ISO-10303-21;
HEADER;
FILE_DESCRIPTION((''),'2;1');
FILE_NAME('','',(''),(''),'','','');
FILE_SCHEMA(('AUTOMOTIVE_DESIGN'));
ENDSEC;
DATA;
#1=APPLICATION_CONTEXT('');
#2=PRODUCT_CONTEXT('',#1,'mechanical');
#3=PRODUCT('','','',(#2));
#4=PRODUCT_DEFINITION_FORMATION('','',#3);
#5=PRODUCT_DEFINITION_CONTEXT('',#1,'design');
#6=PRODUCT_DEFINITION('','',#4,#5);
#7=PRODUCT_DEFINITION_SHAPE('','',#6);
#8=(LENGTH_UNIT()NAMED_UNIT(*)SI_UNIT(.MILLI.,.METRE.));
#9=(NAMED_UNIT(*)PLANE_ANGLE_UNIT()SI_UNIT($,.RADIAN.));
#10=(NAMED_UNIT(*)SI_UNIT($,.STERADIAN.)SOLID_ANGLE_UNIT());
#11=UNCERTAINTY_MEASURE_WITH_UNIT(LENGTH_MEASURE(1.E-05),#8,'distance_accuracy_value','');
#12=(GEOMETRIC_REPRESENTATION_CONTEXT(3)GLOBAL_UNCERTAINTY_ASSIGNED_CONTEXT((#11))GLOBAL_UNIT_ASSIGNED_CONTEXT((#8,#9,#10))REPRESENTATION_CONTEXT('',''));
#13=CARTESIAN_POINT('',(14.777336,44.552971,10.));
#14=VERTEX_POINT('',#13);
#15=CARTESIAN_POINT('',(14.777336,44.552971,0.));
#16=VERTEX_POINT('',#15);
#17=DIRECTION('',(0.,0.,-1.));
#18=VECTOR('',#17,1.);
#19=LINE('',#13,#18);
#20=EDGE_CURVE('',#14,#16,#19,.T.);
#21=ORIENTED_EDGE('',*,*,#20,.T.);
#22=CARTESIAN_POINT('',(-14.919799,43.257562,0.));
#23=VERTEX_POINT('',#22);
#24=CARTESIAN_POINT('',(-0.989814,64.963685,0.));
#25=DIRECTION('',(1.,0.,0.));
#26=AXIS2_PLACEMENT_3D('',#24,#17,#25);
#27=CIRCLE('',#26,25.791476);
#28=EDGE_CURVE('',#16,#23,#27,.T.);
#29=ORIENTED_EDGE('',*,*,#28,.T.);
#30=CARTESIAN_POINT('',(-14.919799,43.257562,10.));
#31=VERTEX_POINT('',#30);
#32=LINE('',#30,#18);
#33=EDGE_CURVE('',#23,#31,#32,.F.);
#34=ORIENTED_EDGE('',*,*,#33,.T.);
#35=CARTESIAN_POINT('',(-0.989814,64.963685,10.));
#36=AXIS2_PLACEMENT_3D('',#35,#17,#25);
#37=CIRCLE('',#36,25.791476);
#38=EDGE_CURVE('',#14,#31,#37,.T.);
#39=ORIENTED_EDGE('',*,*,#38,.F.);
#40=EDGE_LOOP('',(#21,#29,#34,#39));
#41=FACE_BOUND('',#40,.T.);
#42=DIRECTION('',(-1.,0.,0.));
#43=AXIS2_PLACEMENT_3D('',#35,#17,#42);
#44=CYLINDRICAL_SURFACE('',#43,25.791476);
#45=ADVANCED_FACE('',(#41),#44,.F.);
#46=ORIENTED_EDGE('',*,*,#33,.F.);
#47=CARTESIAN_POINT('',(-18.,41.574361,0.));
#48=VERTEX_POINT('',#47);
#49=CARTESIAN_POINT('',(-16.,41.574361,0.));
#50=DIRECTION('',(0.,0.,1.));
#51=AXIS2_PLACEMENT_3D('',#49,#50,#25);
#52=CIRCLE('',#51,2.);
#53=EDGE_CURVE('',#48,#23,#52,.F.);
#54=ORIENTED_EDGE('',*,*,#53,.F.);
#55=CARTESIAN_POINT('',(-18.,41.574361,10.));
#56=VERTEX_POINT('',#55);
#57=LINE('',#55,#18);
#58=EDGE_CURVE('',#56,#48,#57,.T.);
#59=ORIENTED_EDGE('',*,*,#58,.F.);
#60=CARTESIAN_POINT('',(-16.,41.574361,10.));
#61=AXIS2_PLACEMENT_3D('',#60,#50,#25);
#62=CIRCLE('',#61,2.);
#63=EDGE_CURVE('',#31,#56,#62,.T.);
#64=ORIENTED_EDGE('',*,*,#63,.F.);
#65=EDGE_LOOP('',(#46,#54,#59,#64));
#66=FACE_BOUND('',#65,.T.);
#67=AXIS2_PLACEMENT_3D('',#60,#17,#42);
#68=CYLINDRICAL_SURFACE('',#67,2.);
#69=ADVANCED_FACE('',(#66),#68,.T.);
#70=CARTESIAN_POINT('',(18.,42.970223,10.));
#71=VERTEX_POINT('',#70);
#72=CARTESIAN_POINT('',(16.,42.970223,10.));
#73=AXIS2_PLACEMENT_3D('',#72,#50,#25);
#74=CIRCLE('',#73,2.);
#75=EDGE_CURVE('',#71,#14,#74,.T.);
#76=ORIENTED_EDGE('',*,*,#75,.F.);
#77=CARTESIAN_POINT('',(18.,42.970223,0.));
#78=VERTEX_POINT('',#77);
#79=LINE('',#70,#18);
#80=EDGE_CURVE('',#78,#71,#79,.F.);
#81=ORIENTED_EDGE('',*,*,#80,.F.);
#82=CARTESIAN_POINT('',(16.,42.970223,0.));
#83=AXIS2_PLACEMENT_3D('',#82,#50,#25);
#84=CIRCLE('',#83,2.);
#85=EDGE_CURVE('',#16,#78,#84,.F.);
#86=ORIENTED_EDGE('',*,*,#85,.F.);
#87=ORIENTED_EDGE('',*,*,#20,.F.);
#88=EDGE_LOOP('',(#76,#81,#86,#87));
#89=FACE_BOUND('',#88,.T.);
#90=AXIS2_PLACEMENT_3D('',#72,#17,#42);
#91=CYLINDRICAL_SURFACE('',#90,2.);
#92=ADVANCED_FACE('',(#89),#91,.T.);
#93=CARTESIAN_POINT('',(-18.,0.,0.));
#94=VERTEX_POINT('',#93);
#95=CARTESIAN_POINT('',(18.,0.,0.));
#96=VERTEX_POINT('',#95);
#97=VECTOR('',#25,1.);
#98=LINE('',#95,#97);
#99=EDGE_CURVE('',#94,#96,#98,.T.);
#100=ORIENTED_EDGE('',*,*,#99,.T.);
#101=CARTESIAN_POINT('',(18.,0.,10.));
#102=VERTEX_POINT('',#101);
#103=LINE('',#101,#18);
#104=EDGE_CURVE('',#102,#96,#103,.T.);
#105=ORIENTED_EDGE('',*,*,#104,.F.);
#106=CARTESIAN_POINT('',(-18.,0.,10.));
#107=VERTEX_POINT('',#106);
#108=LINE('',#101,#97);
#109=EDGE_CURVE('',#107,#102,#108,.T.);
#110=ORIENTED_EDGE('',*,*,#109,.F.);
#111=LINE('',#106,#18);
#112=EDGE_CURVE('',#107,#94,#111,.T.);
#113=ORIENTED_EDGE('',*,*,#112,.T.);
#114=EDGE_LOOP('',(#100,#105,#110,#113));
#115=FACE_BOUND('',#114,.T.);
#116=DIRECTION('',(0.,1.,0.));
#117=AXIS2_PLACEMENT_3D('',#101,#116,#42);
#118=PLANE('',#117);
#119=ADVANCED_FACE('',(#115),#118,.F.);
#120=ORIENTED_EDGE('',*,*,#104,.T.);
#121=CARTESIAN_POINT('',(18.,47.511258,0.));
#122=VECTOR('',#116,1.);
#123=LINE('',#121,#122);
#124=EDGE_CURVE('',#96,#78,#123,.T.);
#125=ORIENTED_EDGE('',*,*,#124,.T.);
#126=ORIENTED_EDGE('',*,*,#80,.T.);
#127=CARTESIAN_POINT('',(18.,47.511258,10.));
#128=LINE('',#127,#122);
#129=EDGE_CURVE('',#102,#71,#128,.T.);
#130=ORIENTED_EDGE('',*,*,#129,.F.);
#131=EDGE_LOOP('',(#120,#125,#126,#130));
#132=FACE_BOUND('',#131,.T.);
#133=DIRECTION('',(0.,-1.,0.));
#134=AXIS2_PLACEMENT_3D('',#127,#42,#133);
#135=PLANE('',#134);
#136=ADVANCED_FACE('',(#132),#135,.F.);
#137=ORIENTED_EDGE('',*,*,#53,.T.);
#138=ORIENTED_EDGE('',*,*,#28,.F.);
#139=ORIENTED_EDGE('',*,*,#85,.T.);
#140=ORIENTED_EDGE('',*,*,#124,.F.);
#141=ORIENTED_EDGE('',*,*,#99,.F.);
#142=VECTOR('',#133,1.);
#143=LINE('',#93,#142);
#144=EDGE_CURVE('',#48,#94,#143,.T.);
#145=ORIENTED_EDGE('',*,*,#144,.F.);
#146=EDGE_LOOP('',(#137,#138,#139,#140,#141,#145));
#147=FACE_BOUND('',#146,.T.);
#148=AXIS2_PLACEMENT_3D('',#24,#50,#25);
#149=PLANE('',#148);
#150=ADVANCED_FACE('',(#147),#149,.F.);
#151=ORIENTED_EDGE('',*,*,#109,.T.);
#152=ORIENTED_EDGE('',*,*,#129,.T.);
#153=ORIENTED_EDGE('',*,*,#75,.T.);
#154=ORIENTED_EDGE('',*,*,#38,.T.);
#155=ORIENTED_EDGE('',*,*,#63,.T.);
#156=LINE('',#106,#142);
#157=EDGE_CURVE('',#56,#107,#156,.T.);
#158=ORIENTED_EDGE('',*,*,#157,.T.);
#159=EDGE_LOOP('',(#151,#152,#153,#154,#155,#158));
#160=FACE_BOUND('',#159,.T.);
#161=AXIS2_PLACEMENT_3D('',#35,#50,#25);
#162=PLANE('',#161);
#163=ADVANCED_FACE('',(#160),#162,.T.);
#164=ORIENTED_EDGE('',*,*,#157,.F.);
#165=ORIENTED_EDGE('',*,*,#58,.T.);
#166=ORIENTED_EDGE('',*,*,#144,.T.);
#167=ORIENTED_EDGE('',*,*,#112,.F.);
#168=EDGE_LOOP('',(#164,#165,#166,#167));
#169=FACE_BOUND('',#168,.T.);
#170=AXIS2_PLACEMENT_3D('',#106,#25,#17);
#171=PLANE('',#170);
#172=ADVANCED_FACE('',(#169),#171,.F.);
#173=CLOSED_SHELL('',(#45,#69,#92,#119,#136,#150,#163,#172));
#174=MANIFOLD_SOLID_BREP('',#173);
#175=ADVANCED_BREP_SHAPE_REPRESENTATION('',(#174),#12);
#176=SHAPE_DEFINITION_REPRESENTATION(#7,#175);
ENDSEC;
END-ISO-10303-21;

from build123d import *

# Parameters (mm, degrees)
ESTRUSIONE_ESTRUSIONE1_DEPTH = 10
RACCORDO1_R                  = 2


with BuildPart() as part:
    # Schizzo1 → Estrusione-Estrusione1 (new body)
    with BuildSketch(Plane.XY):
        with BuildLine():
            Line((-18, 0), (-18, 45.576734941))
            ThreePointArc((-18, 45.576734941), (0.394139103, 39.209366163), (18, 47.511257547))
            Line((18, 47.511257547), (18, 0))
            Line((18, 0), (-18, 0))
        make_face()
    extrude(amount=ESTRUSIONE_ESTRUSIONE1_DEPTH)

    # Raccordo1
    raccordo1_edges = [part.edges().sort_by_distance(p)[0] for p in [
        (-18, 45.576734941, 5),
        (18, 47.511257547, 5),
    ]]
    fillet(raccordo1_edges, radius=RACCORDO1_R)


solid = part.part
